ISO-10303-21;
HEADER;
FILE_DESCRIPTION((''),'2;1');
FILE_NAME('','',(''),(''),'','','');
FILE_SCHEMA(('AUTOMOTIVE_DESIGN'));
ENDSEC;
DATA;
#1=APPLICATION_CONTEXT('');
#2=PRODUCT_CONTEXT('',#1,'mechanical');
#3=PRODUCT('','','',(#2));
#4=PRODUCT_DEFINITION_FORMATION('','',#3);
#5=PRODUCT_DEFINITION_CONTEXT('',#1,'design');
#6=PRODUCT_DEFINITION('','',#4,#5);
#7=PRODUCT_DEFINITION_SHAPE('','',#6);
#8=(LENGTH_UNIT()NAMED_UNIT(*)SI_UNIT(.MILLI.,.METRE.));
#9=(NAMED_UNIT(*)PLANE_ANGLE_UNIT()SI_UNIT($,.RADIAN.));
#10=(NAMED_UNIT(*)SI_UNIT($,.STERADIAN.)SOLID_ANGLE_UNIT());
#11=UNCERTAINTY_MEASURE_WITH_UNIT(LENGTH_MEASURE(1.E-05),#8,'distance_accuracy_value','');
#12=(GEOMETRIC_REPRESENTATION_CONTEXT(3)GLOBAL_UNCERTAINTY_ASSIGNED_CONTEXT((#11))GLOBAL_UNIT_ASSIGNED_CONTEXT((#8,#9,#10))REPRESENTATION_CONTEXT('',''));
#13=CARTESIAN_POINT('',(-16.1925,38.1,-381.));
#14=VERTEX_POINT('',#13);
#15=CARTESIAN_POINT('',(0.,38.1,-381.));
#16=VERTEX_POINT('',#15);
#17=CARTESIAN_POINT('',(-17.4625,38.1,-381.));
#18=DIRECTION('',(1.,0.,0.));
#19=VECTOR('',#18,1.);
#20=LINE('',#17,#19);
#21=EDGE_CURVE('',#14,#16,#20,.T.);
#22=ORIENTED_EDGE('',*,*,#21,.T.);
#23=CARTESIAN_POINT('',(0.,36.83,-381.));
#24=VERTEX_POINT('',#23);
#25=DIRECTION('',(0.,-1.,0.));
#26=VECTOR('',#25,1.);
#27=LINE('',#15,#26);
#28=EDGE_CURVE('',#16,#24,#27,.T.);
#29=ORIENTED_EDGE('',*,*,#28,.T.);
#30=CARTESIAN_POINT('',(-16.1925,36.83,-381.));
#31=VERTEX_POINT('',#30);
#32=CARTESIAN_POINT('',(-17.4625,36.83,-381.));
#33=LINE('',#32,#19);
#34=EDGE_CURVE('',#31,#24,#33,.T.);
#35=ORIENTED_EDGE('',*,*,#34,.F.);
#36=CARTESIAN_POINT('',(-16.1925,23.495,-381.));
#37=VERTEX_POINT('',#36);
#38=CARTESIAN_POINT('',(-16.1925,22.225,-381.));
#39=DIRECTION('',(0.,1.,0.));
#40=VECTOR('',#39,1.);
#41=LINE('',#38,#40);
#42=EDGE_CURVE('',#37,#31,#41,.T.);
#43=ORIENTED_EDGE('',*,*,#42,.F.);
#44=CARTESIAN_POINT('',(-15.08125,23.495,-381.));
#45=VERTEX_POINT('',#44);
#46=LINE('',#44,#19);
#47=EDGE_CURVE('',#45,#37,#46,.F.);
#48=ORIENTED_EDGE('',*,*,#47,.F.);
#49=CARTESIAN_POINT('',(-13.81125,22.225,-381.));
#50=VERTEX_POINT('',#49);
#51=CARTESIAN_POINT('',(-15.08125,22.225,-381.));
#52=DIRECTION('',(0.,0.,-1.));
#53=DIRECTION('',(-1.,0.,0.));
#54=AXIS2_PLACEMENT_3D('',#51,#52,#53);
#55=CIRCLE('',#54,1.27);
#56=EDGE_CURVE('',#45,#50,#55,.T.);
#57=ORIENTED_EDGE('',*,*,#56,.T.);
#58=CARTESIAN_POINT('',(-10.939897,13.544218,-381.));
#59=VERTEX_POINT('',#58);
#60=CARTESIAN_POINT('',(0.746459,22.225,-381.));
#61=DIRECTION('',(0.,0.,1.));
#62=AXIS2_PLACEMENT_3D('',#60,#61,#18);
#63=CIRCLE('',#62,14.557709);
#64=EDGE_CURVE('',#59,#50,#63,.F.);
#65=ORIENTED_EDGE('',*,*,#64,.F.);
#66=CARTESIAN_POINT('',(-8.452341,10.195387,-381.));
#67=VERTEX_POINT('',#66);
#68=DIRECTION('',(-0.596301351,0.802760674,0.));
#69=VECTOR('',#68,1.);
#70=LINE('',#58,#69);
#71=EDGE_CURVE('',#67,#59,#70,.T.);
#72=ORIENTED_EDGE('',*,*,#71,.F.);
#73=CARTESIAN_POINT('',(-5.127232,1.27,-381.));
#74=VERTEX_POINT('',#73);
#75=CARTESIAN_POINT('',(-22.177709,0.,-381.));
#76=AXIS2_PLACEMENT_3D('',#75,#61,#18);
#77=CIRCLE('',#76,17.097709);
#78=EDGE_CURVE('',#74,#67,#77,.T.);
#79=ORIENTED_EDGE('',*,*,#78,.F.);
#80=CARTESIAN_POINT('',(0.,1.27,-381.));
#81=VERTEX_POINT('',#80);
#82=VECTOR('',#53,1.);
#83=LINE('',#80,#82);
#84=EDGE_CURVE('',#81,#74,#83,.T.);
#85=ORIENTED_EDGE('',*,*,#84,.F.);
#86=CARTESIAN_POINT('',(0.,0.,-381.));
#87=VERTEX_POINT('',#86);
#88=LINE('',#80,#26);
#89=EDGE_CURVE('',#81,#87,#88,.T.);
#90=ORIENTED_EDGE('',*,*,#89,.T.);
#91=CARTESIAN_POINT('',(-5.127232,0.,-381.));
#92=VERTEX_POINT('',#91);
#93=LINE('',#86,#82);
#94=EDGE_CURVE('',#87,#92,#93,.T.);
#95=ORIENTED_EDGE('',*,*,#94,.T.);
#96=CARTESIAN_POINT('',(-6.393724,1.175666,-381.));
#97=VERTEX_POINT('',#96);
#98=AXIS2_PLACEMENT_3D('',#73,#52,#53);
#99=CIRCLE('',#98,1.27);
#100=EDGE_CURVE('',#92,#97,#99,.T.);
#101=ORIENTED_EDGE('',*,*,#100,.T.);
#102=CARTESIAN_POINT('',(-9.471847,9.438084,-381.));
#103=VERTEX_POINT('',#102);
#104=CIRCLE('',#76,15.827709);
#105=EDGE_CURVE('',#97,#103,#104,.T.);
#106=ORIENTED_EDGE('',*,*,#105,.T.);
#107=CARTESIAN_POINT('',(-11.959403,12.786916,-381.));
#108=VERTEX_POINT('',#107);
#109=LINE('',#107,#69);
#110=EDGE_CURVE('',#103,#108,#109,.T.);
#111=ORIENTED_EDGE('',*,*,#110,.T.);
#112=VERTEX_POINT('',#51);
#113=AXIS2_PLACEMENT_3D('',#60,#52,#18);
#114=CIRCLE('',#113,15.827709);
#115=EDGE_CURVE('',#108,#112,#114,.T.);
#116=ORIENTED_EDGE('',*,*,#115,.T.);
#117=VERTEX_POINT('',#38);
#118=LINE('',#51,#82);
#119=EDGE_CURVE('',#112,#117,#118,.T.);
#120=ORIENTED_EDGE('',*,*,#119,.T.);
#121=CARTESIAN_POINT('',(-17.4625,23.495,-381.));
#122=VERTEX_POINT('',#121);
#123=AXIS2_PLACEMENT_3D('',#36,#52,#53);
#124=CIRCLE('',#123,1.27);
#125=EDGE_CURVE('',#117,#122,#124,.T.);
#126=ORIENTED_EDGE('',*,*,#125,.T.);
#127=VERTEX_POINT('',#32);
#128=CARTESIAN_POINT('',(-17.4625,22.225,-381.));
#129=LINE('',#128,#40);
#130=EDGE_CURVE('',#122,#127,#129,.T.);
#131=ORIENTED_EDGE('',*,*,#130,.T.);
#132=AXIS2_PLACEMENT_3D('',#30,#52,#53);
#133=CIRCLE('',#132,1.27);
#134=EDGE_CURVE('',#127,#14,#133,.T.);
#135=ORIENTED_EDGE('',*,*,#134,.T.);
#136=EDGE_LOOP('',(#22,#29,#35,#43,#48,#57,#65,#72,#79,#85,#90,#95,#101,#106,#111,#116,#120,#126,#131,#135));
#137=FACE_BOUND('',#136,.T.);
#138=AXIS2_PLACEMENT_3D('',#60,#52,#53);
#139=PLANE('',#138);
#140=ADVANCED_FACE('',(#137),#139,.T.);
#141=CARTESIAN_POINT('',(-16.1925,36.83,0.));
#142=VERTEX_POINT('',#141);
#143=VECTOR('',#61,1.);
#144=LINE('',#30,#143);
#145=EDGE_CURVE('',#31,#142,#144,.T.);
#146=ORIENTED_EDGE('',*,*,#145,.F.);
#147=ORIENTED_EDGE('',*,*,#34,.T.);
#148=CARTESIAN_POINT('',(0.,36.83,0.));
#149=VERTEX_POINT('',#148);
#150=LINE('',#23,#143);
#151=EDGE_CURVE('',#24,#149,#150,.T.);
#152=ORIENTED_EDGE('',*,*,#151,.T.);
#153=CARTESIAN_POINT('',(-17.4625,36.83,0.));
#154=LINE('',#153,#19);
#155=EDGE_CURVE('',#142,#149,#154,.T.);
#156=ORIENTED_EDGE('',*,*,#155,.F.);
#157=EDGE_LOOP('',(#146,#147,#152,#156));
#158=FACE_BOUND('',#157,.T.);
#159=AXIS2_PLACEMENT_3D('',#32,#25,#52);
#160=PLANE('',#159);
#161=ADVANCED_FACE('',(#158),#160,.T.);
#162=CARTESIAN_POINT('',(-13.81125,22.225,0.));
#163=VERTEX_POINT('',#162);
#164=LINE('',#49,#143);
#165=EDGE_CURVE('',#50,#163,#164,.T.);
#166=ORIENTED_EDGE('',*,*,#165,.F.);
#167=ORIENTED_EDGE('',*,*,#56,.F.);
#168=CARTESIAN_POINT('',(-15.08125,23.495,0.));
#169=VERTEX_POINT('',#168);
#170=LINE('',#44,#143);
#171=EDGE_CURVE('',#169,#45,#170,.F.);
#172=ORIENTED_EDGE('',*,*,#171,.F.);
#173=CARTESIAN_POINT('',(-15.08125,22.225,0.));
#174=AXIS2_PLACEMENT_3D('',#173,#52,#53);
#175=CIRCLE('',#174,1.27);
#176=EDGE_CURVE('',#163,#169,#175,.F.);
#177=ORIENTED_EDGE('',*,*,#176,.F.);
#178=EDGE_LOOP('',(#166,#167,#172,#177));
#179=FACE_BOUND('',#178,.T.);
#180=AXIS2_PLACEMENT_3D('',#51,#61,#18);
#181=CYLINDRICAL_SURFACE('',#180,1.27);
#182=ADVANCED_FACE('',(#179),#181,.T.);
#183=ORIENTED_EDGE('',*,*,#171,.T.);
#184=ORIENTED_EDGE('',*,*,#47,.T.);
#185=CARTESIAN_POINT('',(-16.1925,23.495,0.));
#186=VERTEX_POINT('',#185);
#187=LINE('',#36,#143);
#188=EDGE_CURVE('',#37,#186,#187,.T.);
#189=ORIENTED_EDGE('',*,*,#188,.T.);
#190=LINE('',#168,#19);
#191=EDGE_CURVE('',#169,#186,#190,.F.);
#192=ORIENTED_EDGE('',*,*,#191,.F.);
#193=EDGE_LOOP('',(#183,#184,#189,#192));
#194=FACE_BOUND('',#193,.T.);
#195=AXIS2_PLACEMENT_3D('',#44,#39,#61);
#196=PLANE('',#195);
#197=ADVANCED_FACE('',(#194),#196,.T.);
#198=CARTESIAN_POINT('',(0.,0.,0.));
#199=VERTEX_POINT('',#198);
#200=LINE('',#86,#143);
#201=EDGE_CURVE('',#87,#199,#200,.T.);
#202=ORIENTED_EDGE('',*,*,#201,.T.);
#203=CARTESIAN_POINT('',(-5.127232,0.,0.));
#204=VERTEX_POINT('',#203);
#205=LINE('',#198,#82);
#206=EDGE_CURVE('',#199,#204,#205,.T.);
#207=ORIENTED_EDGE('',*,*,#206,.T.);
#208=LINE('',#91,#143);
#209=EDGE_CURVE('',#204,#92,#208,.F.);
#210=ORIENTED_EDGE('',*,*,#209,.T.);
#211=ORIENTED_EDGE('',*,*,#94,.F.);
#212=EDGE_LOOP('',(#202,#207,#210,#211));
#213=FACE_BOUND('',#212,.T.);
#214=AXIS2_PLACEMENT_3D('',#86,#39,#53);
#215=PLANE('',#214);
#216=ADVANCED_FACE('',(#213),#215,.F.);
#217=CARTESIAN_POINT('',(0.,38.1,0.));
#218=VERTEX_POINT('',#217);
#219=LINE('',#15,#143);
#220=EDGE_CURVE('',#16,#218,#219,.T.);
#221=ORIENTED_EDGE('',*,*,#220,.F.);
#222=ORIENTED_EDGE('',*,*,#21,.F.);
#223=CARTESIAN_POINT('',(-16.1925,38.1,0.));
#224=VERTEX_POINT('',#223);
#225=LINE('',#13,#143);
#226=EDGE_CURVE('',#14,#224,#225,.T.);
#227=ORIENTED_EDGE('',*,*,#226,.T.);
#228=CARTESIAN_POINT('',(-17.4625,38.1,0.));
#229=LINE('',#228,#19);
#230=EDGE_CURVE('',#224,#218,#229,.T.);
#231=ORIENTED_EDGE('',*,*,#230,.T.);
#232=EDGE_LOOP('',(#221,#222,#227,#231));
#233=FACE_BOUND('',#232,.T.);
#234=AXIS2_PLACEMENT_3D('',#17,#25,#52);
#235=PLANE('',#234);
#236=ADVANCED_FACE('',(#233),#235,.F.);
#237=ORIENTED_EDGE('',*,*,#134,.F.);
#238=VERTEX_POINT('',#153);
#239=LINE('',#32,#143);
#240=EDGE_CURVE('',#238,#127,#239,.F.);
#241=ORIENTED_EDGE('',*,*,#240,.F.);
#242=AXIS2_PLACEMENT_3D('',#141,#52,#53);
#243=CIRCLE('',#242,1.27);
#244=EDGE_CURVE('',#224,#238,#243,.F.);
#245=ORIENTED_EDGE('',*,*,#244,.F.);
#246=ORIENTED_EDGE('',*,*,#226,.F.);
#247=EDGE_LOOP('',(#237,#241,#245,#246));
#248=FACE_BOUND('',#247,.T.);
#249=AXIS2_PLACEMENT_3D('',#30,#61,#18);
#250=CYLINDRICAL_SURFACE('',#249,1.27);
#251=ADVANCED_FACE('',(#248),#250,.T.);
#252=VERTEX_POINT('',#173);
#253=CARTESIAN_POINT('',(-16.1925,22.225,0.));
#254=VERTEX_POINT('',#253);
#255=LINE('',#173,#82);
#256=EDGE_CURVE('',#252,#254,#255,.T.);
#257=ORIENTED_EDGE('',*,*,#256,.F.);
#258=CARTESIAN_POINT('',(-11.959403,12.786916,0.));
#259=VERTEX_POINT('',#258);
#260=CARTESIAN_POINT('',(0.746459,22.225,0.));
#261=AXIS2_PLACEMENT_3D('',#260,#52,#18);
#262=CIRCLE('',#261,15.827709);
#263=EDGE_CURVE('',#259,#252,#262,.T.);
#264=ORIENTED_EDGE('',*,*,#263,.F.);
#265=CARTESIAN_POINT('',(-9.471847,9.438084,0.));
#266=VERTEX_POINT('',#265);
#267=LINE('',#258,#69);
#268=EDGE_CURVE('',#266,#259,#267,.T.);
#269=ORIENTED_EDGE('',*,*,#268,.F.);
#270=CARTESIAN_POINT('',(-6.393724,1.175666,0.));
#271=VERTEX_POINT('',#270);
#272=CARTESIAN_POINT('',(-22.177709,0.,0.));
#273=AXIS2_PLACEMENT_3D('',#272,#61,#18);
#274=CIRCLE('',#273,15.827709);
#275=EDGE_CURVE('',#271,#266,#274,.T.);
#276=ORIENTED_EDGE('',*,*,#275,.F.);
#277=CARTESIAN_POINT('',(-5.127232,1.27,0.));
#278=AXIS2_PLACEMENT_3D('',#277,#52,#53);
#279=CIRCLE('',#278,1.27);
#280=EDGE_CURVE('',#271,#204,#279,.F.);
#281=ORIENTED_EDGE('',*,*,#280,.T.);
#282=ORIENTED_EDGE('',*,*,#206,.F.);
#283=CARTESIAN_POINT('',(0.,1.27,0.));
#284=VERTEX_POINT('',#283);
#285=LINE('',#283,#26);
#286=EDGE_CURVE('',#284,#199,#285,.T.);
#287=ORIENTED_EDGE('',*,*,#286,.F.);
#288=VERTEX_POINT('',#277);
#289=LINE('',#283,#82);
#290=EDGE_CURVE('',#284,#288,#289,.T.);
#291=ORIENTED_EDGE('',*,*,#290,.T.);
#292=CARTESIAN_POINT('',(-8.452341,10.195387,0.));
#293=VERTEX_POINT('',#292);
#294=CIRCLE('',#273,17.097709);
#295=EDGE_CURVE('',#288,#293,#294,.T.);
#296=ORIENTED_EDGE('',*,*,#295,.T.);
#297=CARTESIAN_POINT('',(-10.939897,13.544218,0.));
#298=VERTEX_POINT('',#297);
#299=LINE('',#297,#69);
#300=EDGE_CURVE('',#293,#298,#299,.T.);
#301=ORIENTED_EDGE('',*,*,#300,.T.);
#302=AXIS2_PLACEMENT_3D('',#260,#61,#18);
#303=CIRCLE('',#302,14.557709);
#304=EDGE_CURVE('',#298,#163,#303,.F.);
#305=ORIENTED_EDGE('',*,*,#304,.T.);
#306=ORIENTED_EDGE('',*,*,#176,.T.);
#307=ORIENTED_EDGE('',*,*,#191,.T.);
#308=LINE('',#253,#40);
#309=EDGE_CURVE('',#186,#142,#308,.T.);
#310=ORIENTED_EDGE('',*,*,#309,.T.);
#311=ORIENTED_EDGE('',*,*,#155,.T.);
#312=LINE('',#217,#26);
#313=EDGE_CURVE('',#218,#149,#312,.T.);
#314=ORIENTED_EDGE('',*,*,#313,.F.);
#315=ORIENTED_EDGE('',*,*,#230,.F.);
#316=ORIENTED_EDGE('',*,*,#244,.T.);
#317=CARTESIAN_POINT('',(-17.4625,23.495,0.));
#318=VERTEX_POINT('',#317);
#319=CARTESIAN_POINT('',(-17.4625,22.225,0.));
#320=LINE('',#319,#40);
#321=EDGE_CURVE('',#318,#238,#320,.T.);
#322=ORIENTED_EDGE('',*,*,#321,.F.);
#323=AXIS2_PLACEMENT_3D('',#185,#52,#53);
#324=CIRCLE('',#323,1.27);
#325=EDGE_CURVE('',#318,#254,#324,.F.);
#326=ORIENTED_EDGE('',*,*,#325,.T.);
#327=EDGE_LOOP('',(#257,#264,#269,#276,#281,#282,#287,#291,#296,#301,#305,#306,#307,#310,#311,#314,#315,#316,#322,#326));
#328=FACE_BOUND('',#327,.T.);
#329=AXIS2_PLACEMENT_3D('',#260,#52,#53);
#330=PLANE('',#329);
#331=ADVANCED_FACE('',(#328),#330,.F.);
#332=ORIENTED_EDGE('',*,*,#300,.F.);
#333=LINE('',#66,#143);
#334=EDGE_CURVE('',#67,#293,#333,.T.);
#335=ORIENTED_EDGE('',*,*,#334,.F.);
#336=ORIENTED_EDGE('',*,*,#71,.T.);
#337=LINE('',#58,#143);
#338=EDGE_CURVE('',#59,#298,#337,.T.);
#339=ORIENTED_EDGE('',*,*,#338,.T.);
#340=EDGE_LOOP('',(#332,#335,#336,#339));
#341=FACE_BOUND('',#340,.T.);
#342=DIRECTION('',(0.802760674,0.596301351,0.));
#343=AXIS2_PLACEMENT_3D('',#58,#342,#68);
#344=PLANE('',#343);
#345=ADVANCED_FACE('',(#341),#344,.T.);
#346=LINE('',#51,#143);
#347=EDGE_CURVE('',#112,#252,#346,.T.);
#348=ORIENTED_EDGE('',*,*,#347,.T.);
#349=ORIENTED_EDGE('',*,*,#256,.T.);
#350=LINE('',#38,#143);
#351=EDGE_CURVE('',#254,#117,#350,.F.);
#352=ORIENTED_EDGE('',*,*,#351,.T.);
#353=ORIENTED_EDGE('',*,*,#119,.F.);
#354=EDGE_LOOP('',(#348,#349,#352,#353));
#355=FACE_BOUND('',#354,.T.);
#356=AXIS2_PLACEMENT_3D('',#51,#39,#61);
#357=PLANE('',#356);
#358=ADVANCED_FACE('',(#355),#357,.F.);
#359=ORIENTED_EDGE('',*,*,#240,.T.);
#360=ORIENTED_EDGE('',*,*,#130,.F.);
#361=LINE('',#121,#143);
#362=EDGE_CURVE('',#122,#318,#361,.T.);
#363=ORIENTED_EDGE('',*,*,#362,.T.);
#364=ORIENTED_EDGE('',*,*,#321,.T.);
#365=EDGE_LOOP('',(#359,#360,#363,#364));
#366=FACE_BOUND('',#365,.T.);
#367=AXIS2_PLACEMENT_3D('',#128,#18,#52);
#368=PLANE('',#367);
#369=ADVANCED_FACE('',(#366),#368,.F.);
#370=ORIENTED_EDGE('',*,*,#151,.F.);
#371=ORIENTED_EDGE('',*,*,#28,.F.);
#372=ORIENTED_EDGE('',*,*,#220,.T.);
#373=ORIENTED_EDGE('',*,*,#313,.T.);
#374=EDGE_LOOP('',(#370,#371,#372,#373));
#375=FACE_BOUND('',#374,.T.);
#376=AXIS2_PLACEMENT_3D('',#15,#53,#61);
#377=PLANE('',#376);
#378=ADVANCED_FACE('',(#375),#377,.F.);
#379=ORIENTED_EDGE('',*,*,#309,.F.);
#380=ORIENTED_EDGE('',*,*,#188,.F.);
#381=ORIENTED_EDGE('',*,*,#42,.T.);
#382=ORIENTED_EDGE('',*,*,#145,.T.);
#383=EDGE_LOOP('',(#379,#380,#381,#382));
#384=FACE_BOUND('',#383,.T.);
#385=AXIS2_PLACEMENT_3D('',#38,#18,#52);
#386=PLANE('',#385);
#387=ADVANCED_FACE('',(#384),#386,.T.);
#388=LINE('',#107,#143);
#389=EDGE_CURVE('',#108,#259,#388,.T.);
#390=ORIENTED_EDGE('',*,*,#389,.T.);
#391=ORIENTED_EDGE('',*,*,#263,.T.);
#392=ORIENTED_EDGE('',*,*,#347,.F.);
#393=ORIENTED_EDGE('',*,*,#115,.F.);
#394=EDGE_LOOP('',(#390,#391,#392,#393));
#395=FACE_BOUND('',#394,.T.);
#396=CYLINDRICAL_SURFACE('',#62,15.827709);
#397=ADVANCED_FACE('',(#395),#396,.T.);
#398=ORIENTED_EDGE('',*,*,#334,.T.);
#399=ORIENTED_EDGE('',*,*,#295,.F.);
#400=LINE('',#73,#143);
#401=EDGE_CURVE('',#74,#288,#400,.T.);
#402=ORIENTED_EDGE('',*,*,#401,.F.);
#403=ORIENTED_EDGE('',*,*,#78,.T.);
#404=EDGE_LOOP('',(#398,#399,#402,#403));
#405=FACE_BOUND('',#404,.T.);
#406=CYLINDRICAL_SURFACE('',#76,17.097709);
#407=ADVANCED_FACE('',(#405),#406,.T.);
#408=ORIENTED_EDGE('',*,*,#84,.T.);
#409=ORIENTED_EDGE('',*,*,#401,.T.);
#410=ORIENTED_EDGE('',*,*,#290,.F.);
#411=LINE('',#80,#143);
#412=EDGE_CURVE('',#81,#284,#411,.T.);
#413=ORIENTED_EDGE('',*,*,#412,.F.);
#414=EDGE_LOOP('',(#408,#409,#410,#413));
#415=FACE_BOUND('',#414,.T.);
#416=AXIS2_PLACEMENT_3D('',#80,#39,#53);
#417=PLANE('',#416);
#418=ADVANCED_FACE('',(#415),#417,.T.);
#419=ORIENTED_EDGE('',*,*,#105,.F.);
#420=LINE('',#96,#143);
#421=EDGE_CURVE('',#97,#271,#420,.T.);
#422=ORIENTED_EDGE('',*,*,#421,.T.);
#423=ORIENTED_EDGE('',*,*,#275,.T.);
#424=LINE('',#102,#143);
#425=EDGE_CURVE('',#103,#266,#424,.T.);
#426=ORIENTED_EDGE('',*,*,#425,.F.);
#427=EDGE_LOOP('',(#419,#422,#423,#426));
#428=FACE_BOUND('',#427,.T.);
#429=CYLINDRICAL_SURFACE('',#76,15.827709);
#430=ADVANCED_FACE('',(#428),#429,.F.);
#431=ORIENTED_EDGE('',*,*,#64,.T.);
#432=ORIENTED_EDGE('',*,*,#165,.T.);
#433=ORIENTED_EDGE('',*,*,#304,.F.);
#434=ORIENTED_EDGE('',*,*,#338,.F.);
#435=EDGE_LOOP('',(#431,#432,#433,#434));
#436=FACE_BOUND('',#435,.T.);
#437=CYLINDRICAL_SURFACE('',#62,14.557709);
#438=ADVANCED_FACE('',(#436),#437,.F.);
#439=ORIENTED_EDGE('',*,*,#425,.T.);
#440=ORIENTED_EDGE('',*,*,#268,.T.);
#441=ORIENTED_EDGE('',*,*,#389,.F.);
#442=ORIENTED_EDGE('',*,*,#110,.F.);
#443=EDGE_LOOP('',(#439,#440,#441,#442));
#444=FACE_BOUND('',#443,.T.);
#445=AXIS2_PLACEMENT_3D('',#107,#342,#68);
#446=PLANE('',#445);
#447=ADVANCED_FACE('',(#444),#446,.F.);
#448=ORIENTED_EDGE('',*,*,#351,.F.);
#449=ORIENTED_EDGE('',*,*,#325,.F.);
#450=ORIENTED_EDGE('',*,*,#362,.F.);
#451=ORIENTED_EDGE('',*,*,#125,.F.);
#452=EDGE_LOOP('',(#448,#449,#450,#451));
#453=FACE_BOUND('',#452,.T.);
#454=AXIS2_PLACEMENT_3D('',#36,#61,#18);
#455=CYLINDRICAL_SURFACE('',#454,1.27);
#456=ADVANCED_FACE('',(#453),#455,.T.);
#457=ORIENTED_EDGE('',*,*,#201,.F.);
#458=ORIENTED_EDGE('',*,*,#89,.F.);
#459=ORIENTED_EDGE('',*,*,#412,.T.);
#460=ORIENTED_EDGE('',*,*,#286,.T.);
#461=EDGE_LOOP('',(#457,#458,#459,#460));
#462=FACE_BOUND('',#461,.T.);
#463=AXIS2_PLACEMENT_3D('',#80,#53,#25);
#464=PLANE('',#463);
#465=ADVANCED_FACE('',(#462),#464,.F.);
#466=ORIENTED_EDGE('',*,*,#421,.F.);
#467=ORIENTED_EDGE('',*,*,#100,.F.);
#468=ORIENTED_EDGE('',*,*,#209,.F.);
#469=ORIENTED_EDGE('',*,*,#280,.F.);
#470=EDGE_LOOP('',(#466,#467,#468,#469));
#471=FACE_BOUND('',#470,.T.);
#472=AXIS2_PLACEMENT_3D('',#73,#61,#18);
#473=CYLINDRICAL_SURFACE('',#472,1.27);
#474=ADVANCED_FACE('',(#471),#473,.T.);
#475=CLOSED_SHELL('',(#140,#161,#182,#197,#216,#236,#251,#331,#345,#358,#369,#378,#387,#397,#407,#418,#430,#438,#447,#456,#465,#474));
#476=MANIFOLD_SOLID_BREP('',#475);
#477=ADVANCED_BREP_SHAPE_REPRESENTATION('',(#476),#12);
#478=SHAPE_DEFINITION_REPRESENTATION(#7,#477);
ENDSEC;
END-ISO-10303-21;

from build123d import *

# Parameters (mm, degrees)
EXTRUDE_THIN1_DEPTH = 381
FILLET1_R           = 1.27


with BuildPart() as part:
    # Sketch1 → Extrude-Thin1 (new body)
    with BuildSketch(Plane.XY):
        with BuildLine():
            Line((0, 0), (-6.35, 0))
            ThreePointArc((-6.35, 0), (-7.150715566, 4.970497036), (-9.471846695, 9.438084357))
            Line((-9.471846695, 9.438084357), (-11.959403305, 12.786915643))
            ThreePointArc((-11.959403305, 12.786915643), (-14.280534434, 17.254502964), (-15.08125, 22.225))
            Line((-15.08125, 22.225), (-17.4625, 22.225))
            Line((-17.4625, 22.225), (-17.4625, 38.1))
            Line((-17.4625, 38.1), (0, 38.1))
            Line((0, 38.1), (0, 36.83))
            Line((0, 36.83), (-16.1925, 36.83))
            Line((-16.1925, 36.83), (-16.1925, 23.495))
            Line((-16.1925, 23.495), (-13.75574743, 23.495))
            ThreePointArc((-13.75574743, 23.495), (-13.261207377, 18.261141502), (-10.939897249, 13.544218358))
            Line((-10.939897249, 13.544218358), (-8.45234064, 10.195387073))
            ThreePointArc((-8.45234064, 10.195387073), (-6.155730596, 5.968907892), (-5.127232377, 1.27))
            Line((-5.127232377, 1.27), (0, 1.27))
            Line((0, 1.27), (0, 0))
        make_face()
    extrude(amount=-EXTRUDE_THIN1_DEPTH)

    # Fillet1
    fillet1_edges = [part.edges().sort_by_distance(p)[0] for p in [
        (-13.75574743, 23.495, -190.5),
        (-6.35, 0, -190.5),
        (-17.4625, 22.225, -190.5),
        (-17.4625, 38.1, -190.5),
    ]]
    fillet(fillet1_edges, radius=FILLET1_R)


solid = part.part
